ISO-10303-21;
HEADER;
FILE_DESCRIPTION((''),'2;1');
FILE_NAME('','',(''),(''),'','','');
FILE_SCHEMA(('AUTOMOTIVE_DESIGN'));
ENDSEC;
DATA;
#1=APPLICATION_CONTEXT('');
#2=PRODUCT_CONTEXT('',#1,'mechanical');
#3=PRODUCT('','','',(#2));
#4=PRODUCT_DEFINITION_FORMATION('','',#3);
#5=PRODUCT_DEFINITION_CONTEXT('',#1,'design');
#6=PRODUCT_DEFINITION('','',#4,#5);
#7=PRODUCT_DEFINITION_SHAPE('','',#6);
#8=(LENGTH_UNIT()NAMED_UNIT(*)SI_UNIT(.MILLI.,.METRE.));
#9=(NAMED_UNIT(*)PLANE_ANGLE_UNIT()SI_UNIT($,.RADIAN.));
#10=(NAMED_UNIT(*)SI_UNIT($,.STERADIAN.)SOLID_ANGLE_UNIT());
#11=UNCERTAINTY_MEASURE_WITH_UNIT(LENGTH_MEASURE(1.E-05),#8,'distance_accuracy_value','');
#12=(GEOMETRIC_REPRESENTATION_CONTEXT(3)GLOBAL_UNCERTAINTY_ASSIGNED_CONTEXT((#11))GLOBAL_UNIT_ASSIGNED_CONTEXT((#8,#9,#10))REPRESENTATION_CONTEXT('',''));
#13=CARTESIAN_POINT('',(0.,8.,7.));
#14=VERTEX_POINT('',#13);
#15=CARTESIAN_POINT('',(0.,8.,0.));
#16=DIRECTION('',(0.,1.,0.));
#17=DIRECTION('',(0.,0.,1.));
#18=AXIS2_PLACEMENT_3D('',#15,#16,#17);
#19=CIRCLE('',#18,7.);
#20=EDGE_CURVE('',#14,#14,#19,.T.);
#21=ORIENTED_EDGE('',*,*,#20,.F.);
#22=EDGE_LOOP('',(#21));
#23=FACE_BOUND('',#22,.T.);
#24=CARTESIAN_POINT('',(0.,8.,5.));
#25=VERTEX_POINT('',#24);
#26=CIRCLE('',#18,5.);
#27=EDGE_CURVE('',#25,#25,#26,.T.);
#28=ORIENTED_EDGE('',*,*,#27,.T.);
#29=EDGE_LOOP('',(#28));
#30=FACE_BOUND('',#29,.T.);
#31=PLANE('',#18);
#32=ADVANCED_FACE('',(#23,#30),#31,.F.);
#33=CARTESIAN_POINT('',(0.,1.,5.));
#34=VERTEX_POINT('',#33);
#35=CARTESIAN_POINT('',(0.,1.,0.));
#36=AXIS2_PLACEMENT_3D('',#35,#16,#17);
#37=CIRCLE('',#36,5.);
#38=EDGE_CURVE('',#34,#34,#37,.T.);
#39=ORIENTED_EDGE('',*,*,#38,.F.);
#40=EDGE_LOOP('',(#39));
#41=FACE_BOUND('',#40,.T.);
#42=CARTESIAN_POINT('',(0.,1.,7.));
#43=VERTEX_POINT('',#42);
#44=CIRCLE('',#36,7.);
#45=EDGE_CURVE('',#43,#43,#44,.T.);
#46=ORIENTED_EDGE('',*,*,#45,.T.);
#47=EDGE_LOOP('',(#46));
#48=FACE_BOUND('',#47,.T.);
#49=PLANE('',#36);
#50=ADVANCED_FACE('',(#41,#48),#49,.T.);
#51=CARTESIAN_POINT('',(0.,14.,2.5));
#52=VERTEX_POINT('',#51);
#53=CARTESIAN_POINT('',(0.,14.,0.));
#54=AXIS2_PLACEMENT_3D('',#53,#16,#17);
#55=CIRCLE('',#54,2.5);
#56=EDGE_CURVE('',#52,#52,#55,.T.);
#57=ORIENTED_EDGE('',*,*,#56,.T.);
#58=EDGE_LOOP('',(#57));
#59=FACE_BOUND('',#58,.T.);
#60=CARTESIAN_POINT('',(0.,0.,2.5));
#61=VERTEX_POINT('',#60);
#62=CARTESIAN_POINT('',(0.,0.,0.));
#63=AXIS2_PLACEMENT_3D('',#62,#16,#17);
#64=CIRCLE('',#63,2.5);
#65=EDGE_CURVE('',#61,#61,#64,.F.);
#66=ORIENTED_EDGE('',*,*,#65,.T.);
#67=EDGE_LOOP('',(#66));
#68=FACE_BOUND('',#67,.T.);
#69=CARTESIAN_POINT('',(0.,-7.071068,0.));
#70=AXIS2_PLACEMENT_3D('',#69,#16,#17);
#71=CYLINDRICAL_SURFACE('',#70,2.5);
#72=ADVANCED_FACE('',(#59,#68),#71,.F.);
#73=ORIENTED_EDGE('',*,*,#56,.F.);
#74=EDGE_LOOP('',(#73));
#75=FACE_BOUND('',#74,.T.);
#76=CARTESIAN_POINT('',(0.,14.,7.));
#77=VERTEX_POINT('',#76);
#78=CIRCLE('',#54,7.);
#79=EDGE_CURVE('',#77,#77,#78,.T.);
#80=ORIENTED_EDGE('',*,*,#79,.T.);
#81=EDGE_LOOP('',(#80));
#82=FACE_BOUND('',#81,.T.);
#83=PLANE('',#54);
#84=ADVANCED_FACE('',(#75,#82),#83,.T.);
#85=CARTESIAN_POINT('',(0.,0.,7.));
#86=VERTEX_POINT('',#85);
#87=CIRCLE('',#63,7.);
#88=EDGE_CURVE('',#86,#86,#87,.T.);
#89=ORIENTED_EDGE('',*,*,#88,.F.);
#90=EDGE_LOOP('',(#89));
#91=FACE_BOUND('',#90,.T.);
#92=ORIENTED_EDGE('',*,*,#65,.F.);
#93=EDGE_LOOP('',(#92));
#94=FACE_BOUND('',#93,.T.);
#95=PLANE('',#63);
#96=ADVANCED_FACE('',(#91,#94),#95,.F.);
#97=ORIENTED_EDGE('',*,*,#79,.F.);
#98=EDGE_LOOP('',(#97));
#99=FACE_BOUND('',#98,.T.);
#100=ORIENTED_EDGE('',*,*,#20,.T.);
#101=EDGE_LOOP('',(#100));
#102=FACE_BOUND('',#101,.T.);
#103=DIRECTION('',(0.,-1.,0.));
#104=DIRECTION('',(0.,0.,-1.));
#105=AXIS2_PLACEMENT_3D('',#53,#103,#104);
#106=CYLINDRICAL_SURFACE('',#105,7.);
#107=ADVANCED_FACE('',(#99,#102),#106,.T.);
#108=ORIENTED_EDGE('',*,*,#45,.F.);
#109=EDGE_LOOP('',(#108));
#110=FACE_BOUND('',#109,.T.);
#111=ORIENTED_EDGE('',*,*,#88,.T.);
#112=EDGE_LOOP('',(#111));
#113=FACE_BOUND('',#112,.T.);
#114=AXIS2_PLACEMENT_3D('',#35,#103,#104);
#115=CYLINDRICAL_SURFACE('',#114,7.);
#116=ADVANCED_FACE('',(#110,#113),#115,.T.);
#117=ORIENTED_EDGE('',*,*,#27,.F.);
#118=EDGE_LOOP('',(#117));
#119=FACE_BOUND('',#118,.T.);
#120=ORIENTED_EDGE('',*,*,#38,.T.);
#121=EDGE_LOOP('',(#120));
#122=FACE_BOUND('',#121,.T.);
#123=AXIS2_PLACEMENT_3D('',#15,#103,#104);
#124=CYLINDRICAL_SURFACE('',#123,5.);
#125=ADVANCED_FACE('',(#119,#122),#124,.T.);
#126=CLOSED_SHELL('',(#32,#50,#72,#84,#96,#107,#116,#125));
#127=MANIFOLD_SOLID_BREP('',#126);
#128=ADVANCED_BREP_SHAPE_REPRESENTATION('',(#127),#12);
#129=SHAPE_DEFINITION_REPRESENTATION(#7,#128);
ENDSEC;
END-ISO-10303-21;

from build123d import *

# Parameters (mm, degrees)
SKETCH1_R           = 7
BOSS_EXTRUDE1_DEPTH = 1
SKETCH2_R           = 5
BOSS_EXTRUDE2_DEPTH = 7
SKETCH3_R           = 7
BOSS_EXTRUDE3_DEPTH = 6
SKETCH4_R           = 2.5
CUT_EXTRUDE1_DEPTH  = 14


with BuildPart() as part:
    # Sketch1 → Boss-Extrude1 (new body)
    with BuildSketch(Plane(origin=(0, 0, 0), x_dir=(1, 0, 0), z_dir=(0, 1, 0))):
        with Locations(Location((0, 0, 0), (0, 0, 270))):
            Circle(SKETCH1_R)
    extrude(amount=BOSS_EXTRUDE1_DEPTH)

    # Sketch2 → Boss-Extrude2 (add)
    with BuildSketch(Plane(origin=(0, 1, 0), x_dir=(1, 0, 0), z_dir=(0, 1, 0))):
        with Locations(Location((0, 0, 0), (0, 0, 270))):
            Circle(SKETCH2_R)
    extrude(amount=BOSS_EXTRUDE2_DEPTH)

    # Sketch3 → Boss-Extrude3 (add)
    with BuildSketch(Plane(origin=(0, 8, 0), x_dir=(1, 0, 0), z_dir=(0, 1, 0))):
        with Locations(Location((0, 0, 0), (0, 0, 270))):
            Circle(SKETCH3_R)
    extrude(amount=BOSS_EXTRUDE3_DEPTH)

    # Sketch4 → Cut-Extrude1 (cut)
    with BuildSketch(Plane(origin=(0, 14, 0), x_dir=(1, 0, 0), z_dir=(0, 1, 0))):
        with Locations(Location((0, 0, 0), (0, 0, 270))):
            Circle(SKETCH4_R)
    extrude(amount=-CUT_EXTRUDE1_DEPTH, mode=Mode.SUBTRACT)


solid = part.part
